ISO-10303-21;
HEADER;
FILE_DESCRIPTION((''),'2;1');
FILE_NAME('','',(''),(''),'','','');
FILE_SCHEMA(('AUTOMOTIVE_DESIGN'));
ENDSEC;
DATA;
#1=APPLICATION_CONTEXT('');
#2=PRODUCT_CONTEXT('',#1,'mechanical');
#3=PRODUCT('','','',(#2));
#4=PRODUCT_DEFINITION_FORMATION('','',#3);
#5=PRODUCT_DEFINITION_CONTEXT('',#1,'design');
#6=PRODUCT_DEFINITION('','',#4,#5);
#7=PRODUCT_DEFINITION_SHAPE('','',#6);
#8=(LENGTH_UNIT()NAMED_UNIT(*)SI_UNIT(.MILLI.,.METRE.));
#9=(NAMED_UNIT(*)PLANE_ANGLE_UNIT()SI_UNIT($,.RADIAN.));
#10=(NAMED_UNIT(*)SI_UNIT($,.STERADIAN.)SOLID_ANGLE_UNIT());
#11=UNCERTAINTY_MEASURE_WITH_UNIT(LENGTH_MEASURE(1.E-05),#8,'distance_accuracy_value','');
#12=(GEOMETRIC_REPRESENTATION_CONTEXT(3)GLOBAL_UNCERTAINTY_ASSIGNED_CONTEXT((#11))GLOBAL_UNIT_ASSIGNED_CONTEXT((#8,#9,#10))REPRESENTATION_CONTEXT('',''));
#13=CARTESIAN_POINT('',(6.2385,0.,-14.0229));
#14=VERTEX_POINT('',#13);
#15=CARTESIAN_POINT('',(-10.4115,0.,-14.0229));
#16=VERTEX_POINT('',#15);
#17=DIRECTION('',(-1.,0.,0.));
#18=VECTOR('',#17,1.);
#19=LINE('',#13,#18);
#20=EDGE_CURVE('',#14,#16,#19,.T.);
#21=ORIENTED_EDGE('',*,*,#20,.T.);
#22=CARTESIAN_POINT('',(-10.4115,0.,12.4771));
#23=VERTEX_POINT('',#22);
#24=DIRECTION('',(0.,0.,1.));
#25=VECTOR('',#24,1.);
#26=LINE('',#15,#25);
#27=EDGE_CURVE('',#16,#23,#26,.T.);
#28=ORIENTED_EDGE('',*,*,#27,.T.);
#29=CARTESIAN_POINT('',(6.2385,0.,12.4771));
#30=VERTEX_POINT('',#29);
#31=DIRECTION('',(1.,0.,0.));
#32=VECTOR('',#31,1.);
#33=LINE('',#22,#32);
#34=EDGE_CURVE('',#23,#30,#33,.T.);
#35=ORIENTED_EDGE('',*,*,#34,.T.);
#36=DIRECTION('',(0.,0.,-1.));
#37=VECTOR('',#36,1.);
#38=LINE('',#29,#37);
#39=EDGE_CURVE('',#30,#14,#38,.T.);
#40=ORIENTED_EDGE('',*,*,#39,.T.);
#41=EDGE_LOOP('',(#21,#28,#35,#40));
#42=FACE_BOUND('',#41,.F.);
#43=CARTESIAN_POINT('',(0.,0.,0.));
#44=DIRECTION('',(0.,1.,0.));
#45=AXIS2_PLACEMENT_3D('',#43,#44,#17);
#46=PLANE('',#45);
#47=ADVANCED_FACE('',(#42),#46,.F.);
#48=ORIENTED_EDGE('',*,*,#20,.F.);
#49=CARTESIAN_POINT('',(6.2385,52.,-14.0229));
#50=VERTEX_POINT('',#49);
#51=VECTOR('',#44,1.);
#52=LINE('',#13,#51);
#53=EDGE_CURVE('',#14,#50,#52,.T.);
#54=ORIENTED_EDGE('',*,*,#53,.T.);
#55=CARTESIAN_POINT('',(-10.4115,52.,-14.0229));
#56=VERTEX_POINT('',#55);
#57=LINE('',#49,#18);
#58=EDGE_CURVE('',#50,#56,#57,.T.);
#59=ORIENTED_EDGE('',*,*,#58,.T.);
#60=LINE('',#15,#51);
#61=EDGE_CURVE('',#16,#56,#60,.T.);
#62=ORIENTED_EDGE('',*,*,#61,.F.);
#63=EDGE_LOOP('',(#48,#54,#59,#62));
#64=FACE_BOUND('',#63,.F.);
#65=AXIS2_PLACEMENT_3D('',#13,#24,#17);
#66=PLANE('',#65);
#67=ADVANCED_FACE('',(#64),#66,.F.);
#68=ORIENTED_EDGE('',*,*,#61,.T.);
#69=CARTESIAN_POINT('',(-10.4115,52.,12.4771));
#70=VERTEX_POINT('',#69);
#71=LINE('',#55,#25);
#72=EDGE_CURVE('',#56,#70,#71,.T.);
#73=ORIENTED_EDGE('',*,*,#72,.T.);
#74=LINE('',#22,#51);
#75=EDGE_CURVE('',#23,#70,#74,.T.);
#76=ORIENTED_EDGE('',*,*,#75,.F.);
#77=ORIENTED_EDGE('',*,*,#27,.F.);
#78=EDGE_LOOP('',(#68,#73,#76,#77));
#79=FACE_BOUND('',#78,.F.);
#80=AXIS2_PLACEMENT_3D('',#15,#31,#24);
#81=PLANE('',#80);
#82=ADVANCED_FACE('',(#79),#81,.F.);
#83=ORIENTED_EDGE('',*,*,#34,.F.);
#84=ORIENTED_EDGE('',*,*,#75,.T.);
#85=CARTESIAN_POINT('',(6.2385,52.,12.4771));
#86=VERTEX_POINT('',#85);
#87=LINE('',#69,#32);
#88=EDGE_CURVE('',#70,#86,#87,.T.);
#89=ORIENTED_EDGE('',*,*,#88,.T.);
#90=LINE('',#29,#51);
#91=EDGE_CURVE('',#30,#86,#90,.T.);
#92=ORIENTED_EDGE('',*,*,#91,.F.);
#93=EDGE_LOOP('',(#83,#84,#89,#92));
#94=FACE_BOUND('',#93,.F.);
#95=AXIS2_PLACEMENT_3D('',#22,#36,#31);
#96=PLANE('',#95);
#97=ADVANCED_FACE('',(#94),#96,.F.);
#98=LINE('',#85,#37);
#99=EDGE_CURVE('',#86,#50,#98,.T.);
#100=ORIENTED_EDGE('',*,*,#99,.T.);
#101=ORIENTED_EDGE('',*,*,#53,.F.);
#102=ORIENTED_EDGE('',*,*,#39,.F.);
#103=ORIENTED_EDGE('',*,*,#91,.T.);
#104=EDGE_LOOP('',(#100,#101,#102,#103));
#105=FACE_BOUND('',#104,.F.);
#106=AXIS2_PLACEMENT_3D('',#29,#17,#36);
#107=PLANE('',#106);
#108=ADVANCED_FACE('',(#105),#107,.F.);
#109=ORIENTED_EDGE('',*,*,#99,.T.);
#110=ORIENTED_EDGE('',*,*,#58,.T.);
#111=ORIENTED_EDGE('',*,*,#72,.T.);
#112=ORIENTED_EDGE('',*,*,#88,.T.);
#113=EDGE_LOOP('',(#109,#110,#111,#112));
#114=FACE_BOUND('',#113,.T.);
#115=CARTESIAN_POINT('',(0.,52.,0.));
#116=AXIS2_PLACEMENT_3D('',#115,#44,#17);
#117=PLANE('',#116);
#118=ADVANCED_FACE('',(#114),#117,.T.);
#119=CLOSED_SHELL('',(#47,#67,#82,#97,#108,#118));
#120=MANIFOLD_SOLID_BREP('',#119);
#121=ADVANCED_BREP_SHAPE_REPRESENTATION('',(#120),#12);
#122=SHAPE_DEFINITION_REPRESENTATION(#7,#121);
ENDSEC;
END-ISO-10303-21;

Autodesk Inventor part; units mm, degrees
ref_plane "YZ Plane" through (0, 0, 0) normal (1, 0, 0) x (0, 1, 0)
ref_plane "XZ Plane" through (0, 0, 0) normal (0, 1, 0) x (-1, 0, 0)
ref_plane "XY Plane" through (0, 0, 0) normal (0, 0, 1) x (1, 0, 0)
sketch "Sketch1" plane through (0, 0, 0) normal (0, 1, 0) x (-1, 0, 0)
  line L0 (10.4115, 12.4771) -> (-6.2385, 12.4771)
  line L1 (-6.2385, 12.4771) -> (-6.2385, -14.0229)
  line L2 (-6.2385, -14.0229) -> (10.4115, -14.0229)
  line L3 (10.4115, -14.0229) -> (10.4115, 12.4771)
  dimension "d2" = 26.5
  dimension "d3" = 16.65
extrude "Extrusion1" add sketch "Sketch1" along normal blind 52
properties part number "9V_Battery"
